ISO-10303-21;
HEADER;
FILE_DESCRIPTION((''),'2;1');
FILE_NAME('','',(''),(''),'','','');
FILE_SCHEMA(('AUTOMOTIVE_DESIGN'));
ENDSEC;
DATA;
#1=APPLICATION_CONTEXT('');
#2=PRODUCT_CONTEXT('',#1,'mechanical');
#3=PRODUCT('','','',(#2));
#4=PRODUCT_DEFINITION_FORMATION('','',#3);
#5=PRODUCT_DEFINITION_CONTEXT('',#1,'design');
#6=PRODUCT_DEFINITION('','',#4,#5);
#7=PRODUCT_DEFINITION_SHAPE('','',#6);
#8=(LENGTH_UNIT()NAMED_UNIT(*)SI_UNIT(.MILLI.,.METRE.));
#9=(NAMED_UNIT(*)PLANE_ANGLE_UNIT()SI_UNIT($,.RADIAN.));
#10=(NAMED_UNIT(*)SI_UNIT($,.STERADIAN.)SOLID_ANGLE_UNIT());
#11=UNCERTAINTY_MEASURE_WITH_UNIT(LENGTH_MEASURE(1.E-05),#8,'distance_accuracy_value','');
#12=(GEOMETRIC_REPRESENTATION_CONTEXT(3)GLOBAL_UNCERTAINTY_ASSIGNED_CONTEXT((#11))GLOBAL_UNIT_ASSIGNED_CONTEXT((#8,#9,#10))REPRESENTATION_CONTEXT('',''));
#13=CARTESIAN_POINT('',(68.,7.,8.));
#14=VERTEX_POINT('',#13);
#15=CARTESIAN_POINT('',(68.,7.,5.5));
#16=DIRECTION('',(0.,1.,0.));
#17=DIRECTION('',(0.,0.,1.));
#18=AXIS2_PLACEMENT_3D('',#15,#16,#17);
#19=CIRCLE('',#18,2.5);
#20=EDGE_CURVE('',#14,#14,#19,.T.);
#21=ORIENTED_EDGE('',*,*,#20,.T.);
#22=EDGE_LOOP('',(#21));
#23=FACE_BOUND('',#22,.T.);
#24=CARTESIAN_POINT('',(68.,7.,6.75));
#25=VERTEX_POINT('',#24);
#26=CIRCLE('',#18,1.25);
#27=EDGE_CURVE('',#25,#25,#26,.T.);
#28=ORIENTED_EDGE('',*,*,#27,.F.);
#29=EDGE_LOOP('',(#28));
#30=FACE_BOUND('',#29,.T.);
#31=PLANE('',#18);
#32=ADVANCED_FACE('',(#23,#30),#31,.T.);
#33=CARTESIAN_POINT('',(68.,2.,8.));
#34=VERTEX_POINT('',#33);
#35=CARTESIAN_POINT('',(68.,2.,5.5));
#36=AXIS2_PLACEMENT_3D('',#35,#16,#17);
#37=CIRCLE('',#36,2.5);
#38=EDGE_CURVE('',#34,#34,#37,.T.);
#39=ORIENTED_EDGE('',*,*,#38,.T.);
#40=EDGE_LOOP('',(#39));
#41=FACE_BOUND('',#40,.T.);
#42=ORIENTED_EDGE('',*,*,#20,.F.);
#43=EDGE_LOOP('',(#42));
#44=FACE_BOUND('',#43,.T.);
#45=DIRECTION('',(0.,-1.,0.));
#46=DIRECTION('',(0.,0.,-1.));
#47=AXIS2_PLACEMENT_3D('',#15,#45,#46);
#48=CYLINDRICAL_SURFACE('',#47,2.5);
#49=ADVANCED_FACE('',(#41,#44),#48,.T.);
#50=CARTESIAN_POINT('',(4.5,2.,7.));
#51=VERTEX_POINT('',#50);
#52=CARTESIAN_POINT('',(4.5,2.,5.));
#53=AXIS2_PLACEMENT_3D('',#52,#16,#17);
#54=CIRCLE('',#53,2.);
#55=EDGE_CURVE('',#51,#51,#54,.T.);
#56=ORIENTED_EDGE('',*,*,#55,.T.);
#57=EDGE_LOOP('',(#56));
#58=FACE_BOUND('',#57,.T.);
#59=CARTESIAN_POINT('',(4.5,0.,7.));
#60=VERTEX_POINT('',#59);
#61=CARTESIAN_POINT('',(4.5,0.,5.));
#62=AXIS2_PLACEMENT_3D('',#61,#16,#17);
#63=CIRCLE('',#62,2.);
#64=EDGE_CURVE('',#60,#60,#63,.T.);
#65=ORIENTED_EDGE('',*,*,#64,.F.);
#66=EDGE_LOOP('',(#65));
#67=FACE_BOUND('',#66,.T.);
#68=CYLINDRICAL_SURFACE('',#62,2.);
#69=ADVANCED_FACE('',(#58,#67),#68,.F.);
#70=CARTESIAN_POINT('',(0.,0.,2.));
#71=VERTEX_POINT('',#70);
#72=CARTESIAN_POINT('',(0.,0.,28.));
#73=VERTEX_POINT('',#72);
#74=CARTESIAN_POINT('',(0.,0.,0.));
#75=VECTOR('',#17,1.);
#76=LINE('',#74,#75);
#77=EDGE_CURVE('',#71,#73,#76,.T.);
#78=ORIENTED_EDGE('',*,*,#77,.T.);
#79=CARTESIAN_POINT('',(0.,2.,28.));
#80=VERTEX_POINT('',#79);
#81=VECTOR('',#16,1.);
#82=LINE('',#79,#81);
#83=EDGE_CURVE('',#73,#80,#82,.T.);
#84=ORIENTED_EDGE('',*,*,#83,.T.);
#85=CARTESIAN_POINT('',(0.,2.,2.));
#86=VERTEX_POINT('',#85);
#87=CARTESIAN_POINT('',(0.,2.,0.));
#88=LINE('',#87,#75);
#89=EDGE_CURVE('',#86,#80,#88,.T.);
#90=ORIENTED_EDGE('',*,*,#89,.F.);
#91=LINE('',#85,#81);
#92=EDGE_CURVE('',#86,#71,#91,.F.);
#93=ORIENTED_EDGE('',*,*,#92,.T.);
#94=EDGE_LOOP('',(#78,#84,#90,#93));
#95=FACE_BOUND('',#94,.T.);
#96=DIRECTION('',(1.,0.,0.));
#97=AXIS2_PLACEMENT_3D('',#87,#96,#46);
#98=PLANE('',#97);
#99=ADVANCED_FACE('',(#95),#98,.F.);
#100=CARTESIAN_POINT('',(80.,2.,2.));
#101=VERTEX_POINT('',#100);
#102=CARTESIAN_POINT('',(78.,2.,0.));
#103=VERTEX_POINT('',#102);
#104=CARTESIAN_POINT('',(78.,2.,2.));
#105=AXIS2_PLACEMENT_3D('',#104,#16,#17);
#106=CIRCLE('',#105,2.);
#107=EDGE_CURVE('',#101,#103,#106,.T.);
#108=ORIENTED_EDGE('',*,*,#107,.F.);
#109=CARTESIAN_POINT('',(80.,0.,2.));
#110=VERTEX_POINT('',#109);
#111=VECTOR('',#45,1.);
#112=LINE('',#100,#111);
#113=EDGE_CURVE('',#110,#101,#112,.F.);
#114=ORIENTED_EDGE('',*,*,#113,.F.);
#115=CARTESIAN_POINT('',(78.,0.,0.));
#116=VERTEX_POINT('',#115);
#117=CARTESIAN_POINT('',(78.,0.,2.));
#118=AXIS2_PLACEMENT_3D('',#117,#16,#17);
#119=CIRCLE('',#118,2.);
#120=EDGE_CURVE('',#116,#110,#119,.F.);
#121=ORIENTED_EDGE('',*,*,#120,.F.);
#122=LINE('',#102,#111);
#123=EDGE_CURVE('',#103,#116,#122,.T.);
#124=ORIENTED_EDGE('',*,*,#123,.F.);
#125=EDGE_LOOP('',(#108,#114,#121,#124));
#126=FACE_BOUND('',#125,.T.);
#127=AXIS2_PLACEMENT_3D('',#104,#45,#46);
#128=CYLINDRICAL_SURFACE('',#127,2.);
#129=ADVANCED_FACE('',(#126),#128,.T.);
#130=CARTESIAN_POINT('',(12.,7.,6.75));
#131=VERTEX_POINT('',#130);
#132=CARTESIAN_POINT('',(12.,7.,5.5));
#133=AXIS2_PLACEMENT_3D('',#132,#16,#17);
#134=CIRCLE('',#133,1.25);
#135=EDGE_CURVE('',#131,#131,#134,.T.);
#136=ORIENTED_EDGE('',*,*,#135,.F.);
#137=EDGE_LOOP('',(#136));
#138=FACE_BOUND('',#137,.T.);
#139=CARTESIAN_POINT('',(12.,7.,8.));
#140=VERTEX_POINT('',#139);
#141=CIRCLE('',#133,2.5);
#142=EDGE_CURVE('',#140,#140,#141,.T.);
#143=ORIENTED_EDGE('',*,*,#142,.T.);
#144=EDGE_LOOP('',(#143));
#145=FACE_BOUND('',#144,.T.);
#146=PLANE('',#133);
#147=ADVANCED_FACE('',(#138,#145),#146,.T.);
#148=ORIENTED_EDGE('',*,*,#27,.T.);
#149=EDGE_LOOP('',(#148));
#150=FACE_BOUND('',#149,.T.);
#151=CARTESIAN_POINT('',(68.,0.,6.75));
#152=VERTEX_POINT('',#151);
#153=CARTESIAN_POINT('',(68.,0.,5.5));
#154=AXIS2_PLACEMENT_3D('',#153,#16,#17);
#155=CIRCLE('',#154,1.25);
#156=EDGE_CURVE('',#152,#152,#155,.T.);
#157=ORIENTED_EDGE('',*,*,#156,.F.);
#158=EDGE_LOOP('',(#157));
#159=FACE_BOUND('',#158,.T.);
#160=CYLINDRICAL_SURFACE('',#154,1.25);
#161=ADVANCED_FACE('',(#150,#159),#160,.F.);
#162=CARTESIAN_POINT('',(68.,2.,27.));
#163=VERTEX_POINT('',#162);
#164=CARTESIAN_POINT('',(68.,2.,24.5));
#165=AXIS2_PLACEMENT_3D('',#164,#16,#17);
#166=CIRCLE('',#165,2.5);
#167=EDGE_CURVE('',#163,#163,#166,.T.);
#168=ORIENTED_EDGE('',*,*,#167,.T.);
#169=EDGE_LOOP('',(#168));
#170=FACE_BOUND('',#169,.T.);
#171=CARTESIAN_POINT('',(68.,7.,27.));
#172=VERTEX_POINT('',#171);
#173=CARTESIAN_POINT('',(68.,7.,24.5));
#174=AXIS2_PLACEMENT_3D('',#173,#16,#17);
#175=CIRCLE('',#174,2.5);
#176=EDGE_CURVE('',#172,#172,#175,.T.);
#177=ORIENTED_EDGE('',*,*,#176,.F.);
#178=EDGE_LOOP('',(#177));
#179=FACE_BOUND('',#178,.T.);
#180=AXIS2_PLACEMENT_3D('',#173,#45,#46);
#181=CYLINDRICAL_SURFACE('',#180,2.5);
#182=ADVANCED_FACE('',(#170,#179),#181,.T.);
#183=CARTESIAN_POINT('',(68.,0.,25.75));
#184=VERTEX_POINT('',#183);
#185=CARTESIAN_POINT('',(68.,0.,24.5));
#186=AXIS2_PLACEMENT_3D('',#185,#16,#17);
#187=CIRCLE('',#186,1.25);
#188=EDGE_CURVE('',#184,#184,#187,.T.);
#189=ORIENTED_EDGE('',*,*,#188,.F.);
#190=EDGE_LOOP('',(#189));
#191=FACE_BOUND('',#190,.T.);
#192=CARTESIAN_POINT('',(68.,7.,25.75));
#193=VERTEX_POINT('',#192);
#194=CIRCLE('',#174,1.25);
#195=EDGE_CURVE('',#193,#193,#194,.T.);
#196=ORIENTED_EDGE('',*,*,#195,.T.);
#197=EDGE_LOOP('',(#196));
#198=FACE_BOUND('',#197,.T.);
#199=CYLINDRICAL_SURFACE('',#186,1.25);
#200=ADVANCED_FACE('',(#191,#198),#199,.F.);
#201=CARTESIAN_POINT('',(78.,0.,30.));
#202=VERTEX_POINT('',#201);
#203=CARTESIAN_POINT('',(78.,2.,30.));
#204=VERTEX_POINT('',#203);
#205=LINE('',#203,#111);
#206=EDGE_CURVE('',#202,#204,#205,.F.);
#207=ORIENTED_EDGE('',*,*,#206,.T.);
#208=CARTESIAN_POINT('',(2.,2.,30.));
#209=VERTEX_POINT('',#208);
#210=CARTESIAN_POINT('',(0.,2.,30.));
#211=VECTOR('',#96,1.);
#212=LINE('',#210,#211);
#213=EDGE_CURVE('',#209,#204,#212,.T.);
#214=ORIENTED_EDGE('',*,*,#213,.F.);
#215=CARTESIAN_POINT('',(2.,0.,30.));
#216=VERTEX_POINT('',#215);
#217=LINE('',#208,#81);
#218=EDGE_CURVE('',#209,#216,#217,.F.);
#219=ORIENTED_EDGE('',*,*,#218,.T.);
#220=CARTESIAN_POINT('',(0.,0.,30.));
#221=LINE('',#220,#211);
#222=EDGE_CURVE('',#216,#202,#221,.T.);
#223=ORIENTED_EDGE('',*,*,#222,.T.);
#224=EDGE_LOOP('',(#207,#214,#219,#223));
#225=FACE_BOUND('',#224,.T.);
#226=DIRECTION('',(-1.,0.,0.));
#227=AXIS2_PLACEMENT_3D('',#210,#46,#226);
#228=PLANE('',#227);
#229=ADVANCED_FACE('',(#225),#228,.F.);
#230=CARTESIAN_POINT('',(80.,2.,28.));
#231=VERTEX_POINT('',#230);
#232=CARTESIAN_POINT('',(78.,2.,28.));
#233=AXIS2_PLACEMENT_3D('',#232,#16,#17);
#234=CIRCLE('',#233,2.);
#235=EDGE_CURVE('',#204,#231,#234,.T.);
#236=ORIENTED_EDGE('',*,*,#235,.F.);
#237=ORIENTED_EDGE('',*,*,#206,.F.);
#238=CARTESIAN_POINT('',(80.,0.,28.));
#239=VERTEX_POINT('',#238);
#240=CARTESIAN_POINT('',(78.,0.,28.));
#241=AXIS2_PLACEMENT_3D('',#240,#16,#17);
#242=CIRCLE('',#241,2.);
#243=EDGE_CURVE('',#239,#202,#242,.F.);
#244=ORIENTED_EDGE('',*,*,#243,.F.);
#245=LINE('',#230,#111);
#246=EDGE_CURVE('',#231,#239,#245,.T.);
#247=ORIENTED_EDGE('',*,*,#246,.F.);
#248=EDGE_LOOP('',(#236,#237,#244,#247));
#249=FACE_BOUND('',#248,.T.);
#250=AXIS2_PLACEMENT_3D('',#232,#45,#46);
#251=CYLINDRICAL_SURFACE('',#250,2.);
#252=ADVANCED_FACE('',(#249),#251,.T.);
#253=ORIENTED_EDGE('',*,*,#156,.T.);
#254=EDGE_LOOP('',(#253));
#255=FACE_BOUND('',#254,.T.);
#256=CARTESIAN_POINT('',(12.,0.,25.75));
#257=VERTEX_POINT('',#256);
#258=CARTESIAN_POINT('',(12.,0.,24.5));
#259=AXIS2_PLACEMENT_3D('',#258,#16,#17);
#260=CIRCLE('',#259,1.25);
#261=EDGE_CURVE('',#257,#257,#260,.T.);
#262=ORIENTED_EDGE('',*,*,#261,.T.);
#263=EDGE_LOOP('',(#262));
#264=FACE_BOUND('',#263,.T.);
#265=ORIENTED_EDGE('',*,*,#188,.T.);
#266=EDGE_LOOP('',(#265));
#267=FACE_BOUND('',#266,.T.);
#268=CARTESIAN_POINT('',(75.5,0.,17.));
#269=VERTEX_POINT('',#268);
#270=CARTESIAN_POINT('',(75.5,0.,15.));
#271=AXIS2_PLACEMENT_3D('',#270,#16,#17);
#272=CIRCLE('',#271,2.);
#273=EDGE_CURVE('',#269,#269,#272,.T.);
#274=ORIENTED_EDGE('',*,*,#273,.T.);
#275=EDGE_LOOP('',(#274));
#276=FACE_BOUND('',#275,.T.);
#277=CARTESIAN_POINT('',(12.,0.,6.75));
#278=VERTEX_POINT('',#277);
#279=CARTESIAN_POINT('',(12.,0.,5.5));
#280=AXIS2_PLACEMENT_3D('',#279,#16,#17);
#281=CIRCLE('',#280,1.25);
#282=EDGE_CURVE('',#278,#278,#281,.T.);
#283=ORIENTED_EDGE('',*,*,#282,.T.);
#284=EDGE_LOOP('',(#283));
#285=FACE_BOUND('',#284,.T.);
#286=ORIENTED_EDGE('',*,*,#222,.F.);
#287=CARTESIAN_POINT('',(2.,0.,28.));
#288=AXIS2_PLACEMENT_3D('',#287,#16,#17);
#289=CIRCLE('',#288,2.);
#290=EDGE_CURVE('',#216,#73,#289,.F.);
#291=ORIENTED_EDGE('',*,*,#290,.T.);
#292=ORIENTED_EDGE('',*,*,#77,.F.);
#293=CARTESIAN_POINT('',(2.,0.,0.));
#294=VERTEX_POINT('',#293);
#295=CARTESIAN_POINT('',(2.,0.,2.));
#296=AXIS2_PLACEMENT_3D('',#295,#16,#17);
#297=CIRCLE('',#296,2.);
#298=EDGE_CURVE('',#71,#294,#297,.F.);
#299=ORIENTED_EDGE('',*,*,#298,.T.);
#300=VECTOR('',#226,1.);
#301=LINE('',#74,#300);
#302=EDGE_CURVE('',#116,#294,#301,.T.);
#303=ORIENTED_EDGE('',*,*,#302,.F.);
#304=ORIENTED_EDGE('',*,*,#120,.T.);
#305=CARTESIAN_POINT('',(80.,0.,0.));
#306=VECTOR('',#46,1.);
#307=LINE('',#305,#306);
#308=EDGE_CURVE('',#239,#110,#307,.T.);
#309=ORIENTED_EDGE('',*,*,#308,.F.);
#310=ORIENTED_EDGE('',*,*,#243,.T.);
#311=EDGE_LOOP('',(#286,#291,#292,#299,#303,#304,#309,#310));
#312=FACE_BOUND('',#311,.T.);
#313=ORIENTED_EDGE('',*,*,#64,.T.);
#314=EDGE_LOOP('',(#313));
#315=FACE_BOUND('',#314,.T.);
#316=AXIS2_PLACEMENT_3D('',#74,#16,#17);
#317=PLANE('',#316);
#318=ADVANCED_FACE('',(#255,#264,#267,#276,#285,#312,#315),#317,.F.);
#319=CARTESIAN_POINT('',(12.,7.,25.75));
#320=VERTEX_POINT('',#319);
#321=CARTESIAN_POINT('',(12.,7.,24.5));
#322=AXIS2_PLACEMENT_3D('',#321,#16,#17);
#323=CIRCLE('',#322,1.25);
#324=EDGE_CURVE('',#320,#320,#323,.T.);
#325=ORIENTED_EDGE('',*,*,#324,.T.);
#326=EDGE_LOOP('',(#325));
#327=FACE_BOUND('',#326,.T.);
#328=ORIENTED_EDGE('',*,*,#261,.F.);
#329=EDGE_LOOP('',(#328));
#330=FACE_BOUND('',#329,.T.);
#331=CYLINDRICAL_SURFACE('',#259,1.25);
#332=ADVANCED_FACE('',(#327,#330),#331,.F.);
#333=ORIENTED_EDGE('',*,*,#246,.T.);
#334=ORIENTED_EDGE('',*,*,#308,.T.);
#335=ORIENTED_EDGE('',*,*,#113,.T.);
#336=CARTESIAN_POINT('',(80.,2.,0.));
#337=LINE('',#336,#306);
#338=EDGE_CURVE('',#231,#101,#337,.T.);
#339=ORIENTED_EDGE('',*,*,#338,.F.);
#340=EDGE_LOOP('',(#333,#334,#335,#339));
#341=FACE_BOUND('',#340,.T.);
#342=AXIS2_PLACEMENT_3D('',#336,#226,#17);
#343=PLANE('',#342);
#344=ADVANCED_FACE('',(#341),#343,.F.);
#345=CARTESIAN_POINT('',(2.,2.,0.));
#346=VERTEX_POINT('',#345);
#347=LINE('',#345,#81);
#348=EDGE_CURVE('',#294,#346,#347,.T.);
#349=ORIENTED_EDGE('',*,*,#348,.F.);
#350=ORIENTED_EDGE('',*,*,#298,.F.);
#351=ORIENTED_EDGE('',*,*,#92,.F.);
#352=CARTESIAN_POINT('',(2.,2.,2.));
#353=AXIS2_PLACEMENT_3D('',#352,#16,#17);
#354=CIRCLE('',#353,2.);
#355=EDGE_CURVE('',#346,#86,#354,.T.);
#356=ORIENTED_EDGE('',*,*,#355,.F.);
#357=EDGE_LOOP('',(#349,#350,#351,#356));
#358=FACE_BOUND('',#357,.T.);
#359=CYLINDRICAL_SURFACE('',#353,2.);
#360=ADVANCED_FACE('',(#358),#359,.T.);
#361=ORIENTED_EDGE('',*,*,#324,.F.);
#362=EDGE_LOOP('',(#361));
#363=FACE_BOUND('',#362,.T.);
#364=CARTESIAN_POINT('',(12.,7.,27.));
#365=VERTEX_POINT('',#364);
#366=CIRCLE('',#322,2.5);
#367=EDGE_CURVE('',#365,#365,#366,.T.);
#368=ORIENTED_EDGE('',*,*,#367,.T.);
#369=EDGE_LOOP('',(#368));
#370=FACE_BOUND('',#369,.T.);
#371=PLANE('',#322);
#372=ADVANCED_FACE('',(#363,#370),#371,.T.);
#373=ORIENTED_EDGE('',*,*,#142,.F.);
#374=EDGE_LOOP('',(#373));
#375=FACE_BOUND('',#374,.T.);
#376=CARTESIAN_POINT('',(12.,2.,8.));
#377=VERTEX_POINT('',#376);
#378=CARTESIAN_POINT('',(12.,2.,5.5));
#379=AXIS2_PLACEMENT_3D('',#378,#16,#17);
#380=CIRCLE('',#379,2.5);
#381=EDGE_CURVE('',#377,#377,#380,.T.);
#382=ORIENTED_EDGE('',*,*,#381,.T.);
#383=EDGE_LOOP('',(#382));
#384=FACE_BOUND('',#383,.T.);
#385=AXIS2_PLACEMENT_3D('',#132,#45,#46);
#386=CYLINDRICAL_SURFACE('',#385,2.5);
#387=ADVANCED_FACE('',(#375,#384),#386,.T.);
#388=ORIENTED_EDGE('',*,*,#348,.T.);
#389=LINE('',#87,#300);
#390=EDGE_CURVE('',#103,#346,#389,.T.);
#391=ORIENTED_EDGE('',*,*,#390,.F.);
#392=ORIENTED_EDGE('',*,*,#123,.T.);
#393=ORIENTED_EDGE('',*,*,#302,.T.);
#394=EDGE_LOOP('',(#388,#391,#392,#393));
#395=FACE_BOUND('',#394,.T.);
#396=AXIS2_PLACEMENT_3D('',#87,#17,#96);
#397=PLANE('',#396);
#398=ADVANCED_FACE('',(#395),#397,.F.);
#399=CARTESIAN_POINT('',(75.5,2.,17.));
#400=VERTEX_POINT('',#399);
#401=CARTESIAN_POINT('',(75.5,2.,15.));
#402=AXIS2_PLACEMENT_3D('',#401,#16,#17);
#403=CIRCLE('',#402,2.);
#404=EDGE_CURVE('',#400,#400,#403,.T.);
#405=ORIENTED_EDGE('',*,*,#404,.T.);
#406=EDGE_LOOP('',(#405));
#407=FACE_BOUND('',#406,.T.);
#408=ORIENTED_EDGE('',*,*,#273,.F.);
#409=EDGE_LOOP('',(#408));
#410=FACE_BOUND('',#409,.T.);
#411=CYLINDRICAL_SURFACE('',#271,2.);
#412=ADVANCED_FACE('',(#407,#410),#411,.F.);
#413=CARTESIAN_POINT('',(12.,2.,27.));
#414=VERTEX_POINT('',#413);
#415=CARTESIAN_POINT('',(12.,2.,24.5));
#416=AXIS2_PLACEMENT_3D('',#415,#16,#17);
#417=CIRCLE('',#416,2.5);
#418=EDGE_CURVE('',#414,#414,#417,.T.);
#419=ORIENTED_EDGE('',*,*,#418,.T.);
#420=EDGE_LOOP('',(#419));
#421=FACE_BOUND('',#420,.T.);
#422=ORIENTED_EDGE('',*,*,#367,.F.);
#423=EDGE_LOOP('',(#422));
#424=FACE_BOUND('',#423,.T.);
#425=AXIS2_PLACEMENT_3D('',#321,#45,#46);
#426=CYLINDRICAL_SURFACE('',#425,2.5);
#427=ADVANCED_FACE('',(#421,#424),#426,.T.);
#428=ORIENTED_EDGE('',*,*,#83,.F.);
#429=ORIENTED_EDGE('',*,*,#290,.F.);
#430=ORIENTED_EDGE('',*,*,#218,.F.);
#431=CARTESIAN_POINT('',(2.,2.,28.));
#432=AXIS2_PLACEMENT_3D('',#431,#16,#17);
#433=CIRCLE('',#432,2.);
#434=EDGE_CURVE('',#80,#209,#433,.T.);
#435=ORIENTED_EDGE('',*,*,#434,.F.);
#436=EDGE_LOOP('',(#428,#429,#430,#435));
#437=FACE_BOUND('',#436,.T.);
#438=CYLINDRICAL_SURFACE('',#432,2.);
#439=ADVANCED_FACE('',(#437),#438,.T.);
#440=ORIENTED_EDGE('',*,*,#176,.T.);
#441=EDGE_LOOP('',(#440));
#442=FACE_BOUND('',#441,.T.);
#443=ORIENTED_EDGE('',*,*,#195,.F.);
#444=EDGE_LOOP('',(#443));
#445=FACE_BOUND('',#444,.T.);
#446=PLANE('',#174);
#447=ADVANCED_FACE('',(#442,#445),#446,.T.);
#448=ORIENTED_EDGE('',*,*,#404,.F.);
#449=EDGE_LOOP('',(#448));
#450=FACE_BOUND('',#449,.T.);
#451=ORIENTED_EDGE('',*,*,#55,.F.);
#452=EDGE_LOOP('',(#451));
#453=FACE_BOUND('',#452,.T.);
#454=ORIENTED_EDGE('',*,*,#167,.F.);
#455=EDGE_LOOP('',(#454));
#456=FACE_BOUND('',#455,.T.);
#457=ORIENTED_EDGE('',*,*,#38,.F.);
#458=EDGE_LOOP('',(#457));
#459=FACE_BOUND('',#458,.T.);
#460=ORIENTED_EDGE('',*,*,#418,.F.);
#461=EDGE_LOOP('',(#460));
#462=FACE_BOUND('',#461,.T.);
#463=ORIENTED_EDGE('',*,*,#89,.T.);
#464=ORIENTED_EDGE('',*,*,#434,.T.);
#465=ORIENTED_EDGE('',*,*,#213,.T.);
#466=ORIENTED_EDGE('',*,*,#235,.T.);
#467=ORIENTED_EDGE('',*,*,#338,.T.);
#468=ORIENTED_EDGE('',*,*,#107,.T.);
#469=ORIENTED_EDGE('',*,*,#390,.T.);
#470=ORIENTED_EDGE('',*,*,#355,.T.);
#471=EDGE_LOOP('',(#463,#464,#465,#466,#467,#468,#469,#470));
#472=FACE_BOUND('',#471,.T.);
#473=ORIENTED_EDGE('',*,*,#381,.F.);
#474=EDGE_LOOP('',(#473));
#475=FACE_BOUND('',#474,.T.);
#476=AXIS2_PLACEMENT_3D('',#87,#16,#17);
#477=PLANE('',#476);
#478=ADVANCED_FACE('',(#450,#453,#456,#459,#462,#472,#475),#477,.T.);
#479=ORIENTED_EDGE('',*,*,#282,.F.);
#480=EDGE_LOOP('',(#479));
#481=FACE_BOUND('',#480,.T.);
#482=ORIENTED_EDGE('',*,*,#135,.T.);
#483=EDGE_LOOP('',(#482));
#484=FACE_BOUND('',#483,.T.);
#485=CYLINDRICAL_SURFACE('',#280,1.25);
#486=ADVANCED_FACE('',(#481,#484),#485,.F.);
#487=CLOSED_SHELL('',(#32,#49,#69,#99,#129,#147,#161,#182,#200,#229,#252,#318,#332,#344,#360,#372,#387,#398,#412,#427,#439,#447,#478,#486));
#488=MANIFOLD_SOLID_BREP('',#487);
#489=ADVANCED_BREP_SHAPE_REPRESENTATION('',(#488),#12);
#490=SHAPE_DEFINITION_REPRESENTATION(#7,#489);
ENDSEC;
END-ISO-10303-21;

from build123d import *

# Parameters (mm, degrees)
SKETCH_1_W               = 80
SKETCH_1_H               = 30
EXTRUDE_1_DEPTH          = 2
SKETCH_2_R               = 2.5
EXTRUDE_2_DEPTH          = 5
SKETCH_3_R               = 1.25
CUT_EXTRUDE_1_DEPTH      = 1
CUT_EXTRUDE_1_DEPTH_BACK = 8
SKETCH_4_R               = 2
CUT_EXTRUDE_2_DEPTH      = 6
CUT_EXTRUDE_2_DEPTH_BACK = 3
FILLET_1_R               = 2
FILLET_2_R               = 2
FILLET_3_R               = 2
FILLET_4_R               = 2


with BuildPart() as part:
    # Эскиз1 → Бобышка-Вытянуть1 (new body)
    with BuildSketch(Plane(origin=(0, 0, 0), x_dir=(1, 0, 0), z_dir=(0, 1, 0))):
        with Locations((40, -15)):
            Rectangle(SKETCH_1_W, SKETCH_1_H)
    extrude(amount=EXTRUDE_1_DEPTH)

    # Эскиз2 → Бобышка-Вытянуть2 (add)
    with BuildSketch(Plane(origin=(0, 2, 0), x_dir=(1, 0, 0), z_dir=(0, 1, 0))):
        with Locations((12, -5.5)):
            Circle(SKETCH_2_R)
        with Locations((12, -24.5)):
            Circle(SKETCH_2_R)
        with Locations((68, -5.5)):
            Circle(SKETCH_2_R)
        with Locations((68, -24.5)):
            Circle(SKETCH_2_R)
    extrude(amount=EXTRUDE_2_DEPTH)

    # Эскиз3 → Вырез-Вытянуть1 (cut, two sides)
    with BuildSketch(Plane(origin=(0, 7, 0), x_dir=(1, 0, 0), z_dir=(0, 1, 0))) as cut_extrude_1_sk:
        with Locations((12, -5.5)):
            Circle(SKETCH_3_R)
        with Locations((12, -24.5)):
            Circle(SKETCH_3_R)
        with Locations((68, -5.5)):
            Circle(SKETCH_3_R)
        with Locations((68, -24.5)):
            Circle(SKETCH_3_R)
    extrude(amount=CUT_EXTRUDE_1_DEPTH, mode=Mode.SUBTRACT)
    extrude(cut_extrude_1_sk.sketch, amount=-CUT_EXTRUDE_1_DEPTH_BACK, mode=Mode.SUBTRACT)

    # Эскиз4 → Вырез-Вытянуть2 (cut, two sides)
    with BuildSketch(Plane(origin=(0, 2, 0), x_dir=(1, 0, 0), z_dir=(0, 1, 0))) as cut_extrude_2_sk:
        with Locations((4.5, -5)):
            Circle(SKETCH_4_R)
        with Locations((75.5, -15)):
            Circle(SKETCH_4_R)
    extrude(amount=CUT_EXTRUDE_2_DEPTH, mode=Mode.SUBTRACT)
    extrude(cut_extrude_2_sk.sketch, amount=-CUT_EXTRUDE_2_DEPTH_BACK, mode=Mode.SUBTRACT)

    # Скругление1
    fillet_1_edges = [part.edges().sort_by_distance(p)[0] for p in [
        (0, 1, 30),
    ]]
    fillet(fillet_1_edges, radius=FILLET_1_R)

    # Скругление2
    fillet_2_edges = [part.edges().sort_by_distance(p)[0] for p in [
        (0, 1, 0),
    ]]
    fillet(fillet_2_edges, radius=FILLET_2_R)

    # Скругление3
    fillet_3_edges = [part.edges().sort_by_distance(p)[0] for p in [
        (80, 1, 0),
    ]]
    fillet(fillet_3_edges, radius=FILLET_3_R)

    # Скругление4
    fillet_4_edges = [part.edges().sort_by_distance(p)[0] for p in [
        (80, 1, 30),
    ]]
    fillet(fillet_4_edges, radius=FILLET_4_R)


solid = part.part
